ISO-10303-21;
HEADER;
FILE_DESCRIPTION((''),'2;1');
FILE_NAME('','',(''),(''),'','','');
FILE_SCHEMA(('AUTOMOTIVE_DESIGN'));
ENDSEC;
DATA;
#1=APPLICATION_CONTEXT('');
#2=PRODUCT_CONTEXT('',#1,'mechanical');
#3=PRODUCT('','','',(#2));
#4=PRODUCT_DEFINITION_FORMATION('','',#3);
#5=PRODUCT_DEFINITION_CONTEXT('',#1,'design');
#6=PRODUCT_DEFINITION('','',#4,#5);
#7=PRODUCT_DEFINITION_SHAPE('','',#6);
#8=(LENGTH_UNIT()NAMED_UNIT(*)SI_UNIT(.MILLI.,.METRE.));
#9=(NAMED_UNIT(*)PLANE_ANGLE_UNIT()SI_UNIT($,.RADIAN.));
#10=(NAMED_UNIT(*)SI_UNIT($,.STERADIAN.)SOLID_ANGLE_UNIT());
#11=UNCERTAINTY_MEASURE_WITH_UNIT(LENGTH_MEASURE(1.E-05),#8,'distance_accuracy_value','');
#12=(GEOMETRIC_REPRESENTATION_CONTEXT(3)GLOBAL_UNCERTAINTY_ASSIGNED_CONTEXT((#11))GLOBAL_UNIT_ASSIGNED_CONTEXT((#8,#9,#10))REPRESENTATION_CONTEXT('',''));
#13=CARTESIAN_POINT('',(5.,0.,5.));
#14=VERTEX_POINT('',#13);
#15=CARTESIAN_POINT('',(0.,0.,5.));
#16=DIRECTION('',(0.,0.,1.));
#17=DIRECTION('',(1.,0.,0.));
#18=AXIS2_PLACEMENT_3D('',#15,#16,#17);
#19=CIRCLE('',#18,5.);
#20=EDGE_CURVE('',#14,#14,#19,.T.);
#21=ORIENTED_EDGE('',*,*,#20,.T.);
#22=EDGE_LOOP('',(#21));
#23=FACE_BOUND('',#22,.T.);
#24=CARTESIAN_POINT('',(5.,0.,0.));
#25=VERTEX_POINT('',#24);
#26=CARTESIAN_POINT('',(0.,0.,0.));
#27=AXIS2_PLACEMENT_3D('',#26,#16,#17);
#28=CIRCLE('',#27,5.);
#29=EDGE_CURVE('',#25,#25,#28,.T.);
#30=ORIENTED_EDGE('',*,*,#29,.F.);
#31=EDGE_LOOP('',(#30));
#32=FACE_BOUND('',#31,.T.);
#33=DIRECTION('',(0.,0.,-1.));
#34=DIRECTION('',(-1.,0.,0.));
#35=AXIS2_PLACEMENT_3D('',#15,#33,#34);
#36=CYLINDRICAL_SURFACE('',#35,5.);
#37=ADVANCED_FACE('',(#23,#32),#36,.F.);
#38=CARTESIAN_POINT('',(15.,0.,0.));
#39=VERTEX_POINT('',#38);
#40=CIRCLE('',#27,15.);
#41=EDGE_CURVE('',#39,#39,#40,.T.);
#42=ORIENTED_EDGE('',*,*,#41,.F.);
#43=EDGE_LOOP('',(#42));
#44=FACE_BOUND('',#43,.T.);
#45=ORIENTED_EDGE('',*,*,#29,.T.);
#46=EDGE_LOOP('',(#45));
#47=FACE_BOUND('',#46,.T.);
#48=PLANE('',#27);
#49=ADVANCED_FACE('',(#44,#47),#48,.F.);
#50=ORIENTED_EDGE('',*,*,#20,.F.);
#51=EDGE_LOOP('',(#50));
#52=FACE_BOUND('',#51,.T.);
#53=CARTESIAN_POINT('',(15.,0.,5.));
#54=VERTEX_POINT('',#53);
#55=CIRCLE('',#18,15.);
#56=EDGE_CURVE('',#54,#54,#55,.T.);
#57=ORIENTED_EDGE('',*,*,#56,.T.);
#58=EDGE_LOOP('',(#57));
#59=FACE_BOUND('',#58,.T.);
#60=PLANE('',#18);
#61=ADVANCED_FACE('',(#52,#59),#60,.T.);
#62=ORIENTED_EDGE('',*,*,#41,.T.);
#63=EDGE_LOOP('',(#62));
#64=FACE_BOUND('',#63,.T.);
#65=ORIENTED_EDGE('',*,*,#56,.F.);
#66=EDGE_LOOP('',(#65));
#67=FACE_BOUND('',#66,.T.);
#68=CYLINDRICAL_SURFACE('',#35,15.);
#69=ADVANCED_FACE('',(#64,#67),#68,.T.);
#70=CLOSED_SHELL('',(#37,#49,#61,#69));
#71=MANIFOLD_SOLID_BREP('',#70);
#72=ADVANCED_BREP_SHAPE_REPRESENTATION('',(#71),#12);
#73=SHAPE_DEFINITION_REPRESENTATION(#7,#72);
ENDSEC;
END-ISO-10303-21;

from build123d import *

# Parameters (mm, degrees)
SKETCH1_R           = 15
SKETCH1_R_2         = 5
BOSS_EXTRUDE1_DEPTH = 5


with BuildPart() as part:
    # Sketch1 → Boss-Extrude1 (new body)
    with BuildSketch(Plane.XY):
        Circle(SKETCH1_R)
        Circle(SKETCH1_R_2, mode=Mode.SUBTRACT)
    extrude(amount=BOSS_EXTRUDE1_DEPTH)


solid = part.part
